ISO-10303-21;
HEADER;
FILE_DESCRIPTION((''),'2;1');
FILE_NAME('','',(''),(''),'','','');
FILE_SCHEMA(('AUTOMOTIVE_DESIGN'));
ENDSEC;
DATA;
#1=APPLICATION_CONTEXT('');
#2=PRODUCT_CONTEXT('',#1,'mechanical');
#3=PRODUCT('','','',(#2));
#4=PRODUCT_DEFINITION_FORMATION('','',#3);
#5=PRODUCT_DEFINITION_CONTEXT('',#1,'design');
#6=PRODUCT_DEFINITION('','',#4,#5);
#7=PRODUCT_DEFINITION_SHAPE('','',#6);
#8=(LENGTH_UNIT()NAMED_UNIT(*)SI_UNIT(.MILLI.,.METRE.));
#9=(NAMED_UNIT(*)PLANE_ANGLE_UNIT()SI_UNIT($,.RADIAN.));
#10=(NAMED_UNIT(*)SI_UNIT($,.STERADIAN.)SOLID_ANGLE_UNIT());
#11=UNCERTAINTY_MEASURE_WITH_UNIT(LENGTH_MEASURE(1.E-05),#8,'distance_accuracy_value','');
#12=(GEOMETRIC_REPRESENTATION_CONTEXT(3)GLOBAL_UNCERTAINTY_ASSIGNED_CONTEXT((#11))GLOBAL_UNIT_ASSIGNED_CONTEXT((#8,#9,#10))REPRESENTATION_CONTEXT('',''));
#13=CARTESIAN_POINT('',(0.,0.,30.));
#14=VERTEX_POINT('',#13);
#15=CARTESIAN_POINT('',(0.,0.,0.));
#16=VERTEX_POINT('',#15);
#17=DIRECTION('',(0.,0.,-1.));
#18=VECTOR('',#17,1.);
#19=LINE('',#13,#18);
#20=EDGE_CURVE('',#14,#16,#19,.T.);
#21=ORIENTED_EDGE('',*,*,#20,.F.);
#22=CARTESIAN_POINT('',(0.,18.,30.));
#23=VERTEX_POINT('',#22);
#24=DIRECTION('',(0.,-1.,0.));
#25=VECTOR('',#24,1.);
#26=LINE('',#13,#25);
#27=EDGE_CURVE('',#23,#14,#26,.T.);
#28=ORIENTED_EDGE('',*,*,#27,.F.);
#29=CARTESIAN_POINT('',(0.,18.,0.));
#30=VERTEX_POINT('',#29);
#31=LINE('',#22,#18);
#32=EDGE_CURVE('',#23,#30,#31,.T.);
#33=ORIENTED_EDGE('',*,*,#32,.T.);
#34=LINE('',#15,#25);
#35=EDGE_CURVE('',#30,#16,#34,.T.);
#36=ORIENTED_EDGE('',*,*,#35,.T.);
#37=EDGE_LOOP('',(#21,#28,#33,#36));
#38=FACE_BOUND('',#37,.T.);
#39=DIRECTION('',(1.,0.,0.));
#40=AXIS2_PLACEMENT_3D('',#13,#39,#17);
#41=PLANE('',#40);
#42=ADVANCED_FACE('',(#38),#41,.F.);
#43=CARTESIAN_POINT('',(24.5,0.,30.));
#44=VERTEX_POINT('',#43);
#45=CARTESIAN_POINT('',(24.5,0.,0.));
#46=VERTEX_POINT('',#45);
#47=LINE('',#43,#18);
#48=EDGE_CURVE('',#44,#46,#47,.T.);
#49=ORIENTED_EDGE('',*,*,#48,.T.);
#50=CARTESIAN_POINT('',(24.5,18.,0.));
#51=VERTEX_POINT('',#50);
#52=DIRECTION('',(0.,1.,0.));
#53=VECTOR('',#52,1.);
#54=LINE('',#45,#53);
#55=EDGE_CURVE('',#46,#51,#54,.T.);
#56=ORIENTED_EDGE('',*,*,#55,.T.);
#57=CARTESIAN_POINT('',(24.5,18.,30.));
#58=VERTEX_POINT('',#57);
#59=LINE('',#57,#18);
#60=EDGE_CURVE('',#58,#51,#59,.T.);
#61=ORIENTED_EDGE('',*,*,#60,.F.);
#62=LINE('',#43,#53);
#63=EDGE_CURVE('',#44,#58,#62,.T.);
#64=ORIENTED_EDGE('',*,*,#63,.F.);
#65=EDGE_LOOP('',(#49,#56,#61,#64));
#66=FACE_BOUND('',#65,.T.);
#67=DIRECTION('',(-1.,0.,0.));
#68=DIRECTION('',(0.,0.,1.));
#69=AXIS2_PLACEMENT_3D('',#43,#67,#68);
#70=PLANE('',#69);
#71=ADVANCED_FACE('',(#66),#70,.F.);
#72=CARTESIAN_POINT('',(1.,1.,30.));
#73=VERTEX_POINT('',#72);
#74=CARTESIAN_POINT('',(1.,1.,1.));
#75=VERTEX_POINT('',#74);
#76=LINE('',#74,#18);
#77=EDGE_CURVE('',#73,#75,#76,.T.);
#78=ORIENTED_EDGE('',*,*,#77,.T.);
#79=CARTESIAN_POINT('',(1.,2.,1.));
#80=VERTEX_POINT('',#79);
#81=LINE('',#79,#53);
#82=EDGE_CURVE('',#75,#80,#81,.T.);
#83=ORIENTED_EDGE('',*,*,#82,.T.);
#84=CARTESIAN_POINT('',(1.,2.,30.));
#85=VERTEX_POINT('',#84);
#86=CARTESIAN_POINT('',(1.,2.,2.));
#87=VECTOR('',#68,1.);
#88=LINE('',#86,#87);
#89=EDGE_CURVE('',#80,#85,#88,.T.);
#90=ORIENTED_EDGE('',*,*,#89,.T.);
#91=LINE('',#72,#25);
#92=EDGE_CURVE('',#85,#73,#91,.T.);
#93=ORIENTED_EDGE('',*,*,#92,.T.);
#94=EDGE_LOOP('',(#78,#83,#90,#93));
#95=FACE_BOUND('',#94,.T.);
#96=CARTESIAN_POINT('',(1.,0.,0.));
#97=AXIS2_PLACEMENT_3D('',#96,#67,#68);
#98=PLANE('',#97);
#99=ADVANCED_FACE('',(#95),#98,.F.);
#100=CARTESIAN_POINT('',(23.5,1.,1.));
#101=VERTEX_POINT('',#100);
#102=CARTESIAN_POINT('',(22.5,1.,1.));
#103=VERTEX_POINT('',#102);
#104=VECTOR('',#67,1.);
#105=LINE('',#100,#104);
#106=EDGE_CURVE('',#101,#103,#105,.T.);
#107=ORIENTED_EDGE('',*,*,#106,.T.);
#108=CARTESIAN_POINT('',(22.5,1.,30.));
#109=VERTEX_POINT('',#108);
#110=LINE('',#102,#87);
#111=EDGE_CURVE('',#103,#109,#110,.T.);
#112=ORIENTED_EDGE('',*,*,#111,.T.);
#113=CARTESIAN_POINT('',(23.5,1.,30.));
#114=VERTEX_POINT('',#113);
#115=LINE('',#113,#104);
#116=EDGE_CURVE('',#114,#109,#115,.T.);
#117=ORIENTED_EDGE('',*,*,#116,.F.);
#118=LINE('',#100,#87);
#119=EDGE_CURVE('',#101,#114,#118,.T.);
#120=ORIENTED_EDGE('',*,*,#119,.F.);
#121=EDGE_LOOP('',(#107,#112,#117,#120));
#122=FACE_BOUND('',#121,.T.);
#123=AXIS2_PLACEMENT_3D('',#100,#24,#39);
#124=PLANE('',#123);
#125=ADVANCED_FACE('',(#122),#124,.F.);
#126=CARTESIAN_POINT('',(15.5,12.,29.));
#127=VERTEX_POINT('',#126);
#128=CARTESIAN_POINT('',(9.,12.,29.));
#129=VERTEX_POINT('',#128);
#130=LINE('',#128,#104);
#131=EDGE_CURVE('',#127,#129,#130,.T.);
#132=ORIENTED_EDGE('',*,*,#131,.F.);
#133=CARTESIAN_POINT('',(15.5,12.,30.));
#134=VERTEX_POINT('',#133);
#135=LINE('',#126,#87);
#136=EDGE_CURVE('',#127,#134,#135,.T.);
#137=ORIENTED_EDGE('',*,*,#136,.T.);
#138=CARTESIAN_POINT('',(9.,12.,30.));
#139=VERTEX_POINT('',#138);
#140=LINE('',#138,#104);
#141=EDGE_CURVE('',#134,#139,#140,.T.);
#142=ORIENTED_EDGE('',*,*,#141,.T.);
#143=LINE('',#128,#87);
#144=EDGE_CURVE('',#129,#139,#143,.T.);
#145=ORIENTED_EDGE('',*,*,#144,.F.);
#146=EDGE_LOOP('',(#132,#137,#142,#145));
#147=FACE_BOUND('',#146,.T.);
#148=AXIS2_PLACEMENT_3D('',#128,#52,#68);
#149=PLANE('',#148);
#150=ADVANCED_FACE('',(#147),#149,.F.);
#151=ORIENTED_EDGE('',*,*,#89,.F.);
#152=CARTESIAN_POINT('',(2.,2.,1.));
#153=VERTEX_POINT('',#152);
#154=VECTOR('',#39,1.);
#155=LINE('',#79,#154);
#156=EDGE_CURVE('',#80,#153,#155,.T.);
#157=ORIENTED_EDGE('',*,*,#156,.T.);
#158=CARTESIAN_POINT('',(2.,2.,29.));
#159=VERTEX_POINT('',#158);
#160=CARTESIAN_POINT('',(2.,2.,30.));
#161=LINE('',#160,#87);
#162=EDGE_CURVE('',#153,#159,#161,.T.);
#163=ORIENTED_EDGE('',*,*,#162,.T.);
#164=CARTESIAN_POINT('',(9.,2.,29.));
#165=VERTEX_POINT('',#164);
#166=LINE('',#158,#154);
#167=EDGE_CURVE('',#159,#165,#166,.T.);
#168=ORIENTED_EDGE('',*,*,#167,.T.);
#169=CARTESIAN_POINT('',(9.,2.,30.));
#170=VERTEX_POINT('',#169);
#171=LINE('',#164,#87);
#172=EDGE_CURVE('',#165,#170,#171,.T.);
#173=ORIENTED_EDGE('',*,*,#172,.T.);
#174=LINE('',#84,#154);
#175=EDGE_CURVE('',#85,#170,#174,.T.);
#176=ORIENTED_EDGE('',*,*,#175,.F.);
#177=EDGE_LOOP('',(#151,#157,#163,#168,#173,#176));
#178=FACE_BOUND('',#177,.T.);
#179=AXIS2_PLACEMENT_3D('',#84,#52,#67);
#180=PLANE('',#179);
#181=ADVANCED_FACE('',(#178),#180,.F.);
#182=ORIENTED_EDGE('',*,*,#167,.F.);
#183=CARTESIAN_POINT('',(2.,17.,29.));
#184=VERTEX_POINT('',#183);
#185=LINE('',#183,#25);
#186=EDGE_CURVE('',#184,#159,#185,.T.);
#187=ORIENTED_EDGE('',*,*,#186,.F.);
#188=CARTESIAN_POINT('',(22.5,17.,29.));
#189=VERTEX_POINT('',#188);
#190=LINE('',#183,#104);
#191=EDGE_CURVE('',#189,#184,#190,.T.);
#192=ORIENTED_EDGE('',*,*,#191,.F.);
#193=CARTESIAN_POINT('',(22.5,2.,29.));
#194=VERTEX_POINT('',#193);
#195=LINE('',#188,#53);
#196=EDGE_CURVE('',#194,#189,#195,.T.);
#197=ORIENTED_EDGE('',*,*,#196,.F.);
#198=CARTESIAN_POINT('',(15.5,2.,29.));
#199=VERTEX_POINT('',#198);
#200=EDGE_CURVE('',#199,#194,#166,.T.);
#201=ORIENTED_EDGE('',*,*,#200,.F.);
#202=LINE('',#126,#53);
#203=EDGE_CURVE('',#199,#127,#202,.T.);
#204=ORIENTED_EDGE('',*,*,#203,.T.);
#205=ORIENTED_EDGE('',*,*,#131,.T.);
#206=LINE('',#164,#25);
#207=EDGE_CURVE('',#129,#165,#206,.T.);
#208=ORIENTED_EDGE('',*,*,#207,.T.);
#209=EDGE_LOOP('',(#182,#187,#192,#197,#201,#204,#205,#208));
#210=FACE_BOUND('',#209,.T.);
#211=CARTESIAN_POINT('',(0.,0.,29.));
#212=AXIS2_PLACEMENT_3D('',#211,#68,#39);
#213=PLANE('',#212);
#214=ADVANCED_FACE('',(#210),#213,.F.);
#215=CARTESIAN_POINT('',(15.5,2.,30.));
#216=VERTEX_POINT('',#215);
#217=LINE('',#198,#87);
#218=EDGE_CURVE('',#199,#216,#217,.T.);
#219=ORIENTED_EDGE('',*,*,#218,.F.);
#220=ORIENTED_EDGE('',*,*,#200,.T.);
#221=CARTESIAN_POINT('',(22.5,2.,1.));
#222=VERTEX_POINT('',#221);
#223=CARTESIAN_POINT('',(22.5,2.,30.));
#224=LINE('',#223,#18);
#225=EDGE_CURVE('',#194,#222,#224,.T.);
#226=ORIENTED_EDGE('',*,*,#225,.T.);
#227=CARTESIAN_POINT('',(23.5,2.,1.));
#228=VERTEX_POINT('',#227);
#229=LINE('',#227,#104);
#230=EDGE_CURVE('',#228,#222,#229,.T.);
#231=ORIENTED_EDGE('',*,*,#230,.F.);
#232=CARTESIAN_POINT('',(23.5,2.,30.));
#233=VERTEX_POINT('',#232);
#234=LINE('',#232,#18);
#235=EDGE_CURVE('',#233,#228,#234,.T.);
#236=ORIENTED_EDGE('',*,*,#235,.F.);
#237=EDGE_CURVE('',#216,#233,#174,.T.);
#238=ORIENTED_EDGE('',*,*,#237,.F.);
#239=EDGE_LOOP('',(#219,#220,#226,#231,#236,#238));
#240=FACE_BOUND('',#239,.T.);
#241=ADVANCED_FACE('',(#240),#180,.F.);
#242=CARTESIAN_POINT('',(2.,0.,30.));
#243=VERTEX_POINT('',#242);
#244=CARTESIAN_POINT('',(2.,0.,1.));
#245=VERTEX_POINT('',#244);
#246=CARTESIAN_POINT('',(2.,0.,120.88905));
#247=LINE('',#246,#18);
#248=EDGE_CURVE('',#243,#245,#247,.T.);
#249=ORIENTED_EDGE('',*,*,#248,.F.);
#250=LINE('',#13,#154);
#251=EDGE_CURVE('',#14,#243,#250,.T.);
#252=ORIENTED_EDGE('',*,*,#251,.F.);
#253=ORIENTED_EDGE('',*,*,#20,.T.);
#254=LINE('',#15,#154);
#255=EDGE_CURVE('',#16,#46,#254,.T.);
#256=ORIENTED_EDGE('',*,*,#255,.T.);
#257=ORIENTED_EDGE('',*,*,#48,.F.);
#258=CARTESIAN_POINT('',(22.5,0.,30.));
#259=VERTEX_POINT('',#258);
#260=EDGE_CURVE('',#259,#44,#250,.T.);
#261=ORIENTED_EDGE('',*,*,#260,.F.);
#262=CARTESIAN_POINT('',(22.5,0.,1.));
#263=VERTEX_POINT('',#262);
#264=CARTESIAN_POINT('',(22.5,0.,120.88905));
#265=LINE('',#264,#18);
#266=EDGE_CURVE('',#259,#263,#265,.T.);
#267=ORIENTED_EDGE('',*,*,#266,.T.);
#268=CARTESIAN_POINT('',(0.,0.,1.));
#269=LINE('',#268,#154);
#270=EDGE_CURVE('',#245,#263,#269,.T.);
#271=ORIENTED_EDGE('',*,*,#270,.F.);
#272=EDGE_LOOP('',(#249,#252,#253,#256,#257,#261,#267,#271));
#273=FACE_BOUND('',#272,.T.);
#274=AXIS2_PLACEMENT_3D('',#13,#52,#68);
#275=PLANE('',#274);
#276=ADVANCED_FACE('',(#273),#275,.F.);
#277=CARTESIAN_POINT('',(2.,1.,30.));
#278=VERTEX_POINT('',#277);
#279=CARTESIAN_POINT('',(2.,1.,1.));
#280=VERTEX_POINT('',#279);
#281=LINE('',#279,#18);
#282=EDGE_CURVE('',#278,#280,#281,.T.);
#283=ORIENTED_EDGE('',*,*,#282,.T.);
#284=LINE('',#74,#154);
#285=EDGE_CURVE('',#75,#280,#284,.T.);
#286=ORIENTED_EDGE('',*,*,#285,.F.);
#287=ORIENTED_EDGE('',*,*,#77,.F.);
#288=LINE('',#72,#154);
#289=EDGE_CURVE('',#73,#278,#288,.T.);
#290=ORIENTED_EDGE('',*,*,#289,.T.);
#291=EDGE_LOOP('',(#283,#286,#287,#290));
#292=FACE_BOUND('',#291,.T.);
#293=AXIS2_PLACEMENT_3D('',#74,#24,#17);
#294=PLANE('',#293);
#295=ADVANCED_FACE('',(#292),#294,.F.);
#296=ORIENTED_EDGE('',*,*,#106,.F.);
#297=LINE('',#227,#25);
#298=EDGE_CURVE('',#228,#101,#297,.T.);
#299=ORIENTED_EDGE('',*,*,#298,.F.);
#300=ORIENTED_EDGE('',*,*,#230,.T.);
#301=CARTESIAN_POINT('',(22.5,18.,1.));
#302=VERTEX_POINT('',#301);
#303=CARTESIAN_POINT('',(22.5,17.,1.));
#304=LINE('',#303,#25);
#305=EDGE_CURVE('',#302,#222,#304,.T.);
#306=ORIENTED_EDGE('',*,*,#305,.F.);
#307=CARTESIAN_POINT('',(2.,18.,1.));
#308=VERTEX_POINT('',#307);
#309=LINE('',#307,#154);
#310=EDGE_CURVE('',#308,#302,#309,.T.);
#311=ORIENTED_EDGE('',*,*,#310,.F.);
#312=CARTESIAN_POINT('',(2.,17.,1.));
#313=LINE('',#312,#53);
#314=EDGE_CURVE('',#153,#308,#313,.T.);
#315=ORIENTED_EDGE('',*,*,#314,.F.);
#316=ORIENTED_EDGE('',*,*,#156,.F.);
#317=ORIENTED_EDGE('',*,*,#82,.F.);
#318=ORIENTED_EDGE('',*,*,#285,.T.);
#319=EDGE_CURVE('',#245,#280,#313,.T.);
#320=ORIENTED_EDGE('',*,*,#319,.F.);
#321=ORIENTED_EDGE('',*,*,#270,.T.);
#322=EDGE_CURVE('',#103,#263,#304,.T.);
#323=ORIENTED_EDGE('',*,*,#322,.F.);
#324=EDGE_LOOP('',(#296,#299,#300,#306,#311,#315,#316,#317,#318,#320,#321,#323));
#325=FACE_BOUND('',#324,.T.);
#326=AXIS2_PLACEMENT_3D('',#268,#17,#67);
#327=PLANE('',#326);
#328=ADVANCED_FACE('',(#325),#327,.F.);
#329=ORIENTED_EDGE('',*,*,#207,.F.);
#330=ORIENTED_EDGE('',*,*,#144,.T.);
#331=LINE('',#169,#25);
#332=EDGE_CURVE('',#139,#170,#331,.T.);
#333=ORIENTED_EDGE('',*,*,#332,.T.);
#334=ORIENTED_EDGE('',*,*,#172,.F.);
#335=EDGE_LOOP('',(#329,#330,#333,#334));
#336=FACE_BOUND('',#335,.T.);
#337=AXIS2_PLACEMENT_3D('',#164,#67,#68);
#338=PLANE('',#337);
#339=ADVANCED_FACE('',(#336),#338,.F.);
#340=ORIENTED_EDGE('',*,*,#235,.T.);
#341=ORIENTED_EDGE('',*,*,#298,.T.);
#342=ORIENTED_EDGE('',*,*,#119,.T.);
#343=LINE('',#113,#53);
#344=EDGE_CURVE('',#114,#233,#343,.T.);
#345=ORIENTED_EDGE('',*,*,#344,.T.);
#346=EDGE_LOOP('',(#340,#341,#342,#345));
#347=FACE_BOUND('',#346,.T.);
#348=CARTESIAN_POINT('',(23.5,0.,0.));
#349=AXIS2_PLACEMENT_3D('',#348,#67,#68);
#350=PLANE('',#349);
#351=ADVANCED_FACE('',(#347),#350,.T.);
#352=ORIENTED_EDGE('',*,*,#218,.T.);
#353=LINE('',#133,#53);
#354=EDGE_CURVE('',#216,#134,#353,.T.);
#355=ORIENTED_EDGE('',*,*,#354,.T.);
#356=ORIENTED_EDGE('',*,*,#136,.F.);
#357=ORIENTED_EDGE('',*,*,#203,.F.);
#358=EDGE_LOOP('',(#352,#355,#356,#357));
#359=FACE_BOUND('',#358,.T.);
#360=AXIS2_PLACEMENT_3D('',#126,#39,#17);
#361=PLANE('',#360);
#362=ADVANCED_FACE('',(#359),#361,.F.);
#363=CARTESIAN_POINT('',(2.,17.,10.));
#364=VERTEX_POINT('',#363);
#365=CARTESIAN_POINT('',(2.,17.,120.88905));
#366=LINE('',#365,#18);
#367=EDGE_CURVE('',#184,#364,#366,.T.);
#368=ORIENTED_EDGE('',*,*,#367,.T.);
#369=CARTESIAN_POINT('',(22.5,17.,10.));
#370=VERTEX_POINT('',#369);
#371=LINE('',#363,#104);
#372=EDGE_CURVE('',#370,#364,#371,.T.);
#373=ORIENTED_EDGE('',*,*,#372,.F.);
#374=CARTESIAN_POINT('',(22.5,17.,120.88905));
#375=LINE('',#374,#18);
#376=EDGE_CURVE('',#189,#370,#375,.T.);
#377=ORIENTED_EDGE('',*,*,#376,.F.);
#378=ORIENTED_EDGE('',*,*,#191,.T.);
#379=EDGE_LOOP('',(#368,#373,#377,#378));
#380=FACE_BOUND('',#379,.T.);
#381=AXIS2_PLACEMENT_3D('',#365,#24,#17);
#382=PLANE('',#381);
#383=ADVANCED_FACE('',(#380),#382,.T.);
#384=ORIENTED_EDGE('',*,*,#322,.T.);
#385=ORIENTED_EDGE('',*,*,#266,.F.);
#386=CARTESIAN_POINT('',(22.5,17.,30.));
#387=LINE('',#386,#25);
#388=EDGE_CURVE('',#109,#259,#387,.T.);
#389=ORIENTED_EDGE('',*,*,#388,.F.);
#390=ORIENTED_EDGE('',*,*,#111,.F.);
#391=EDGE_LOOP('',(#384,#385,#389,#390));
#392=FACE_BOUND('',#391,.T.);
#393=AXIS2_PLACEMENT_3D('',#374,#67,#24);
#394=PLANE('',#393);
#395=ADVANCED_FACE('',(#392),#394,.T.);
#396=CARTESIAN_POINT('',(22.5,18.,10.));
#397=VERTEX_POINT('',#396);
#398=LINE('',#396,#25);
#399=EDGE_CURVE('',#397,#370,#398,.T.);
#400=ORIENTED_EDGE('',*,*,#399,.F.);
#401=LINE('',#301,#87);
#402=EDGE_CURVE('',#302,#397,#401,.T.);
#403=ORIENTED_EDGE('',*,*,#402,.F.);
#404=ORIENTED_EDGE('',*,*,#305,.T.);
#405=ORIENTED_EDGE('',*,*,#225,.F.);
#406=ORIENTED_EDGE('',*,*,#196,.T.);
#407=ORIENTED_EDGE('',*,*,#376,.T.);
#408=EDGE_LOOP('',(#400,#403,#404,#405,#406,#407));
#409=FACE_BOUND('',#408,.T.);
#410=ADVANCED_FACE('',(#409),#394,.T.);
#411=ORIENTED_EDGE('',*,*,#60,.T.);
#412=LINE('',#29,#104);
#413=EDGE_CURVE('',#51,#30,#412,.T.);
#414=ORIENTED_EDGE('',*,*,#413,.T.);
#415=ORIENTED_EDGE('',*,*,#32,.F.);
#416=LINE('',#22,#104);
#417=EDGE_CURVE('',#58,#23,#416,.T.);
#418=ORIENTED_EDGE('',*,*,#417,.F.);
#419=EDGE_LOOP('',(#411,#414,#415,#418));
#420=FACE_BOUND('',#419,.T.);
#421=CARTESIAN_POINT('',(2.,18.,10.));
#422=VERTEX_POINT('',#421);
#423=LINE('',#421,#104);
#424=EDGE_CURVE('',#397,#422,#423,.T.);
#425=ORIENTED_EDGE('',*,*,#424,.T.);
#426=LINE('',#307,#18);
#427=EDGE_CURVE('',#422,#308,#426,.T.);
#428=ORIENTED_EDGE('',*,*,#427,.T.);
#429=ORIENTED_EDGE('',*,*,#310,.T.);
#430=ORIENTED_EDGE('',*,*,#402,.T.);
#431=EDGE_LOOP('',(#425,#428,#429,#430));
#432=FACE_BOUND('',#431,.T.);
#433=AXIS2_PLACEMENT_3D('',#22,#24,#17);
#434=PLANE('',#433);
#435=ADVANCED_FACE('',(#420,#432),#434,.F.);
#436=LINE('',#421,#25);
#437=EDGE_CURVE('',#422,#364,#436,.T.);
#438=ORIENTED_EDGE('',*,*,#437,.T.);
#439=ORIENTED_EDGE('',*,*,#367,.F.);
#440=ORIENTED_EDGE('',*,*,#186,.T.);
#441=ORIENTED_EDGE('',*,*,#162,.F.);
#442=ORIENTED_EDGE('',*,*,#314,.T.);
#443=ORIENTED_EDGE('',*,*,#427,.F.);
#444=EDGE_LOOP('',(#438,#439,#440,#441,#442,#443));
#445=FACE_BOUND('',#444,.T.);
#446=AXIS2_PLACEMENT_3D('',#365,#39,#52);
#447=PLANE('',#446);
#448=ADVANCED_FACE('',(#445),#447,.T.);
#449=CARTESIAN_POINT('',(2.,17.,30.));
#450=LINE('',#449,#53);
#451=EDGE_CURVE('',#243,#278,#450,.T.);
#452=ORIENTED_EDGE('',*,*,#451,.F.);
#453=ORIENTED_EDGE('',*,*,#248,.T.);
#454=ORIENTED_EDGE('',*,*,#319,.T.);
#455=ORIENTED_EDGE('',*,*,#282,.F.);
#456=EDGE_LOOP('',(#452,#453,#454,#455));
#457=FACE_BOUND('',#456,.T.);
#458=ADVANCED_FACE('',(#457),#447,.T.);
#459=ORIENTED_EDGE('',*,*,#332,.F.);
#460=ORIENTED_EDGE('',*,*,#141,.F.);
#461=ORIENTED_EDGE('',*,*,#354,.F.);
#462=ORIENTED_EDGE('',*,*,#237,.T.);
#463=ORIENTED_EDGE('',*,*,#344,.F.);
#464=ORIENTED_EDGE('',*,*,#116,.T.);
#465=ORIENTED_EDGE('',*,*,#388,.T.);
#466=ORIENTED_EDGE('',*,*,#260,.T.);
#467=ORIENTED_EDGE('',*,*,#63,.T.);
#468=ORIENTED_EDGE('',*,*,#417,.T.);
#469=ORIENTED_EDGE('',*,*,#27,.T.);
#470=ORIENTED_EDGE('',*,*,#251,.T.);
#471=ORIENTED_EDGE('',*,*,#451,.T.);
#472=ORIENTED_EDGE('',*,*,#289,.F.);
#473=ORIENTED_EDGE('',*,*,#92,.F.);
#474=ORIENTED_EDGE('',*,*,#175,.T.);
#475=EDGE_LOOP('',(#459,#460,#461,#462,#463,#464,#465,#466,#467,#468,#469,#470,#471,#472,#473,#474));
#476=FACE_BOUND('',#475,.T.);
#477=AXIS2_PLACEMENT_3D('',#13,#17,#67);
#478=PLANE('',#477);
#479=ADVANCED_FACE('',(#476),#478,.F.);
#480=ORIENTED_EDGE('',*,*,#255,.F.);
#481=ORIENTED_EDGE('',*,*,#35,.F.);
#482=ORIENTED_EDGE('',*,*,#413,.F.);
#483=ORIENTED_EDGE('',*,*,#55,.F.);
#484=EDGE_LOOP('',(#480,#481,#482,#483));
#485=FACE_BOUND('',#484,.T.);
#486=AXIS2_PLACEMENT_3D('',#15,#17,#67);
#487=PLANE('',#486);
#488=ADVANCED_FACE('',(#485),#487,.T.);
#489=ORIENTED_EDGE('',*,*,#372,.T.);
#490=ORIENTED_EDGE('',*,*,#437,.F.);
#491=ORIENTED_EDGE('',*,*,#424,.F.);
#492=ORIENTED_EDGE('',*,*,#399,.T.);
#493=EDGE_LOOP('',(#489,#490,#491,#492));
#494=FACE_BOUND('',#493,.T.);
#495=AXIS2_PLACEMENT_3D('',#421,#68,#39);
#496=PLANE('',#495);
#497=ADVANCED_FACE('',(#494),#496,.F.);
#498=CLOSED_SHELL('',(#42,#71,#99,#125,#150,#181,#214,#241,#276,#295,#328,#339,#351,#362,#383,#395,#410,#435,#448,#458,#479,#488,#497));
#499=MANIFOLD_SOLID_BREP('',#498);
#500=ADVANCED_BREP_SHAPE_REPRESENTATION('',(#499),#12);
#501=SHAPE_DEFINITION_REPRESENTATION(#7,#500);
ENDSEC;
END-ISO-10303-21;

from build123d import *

# Parameters (mm, degrees)
ESQUISSE1_W                  = 24.5
ESQUISSE1_H                  = 18
BOSS_EXTRU_3_DEPTH           = 30
ENL_V_MAT_EXTRU_1_DEPTH      = 43.711239739
ENL_V_MAT_EXTRU_1_DEPTH_BACK = 29
ENL_V_MAT_EXTRU_2_DEPTH      = 1
ESQUISSE6_W                  = 29
ESQUISSE6_H                  = 1
ENL_V_MAT_EXTRU_3_DEPTH      = 1
ESQUISSE7_W                  = 20.5
ESQUISSE7_H                  = 15
BOSS_EXTRU_4_DEPTH           = 1
ESQUISSE8_W                  = 6.5
ESQUISSE8_H                  = 10
ENL_V_MAT_EXTRU_4_DEPTH      = 1
ESQUISSE10_W                 = 20.5
ESQUISSE10_H                 = 9
ENL_V_MAT_EXTRU_5_DEPTH      = 43.299527184


with BuildPart() as part:
    # Esquisse1 → Boss.-Extru.3 (new body)
    with BuildSketch(Plane.XY):
        with Locations((12.25, 9)):
            Rectangle(ESQUISSE1_W, ESQUISSE1_H)
    extrude(amount=BOSS_EXTRU_3_DEPTH)

    # Esquisse4 → Enlèv. mat.-Extru.1 (cut, two sides: drawn at the far end of the back side and taken through both)
    with BuildSketch(Plane.XY.offset(30).offset(-ENL_V_MAT_EXTRU_1_DEPTH_BACK)):
        Polygon((22.5, -67.628118137), (22.5, 0), (22.5, 17), (2, 17), (2, 0), (2, -67.628118137), (2, -202.884354411), (22.5, -202.884354411), align=None)
    extrude(amount=ENL_V_MAT_EXTRU_1_DEPTH + ENL_V_MAT_EXTRU_1_DEPTH_BACK, mode=Mode.SUBTRACT)

    # Esquisse5 → Enlèv. mat.-Extru.2 (cut)
    with BuildSketch(Plane(origin=(2, 0, 0), x_dir=(0, 0, -1), z_dir=(1, 0, 0))):
        Polygon((-1, 1), (-30, 1), (-30, 2), (-2, 2), (-1, 2), align=None)
    extrude(amount=-ENL_V_MAT_EXTRU_2_DEPTH, mode=Mode.SUBTRACT)

    # Esquisse6 → Enlèv. mat.-Extru.3 (cut)
    with BuildSketch(Plane.ZY.offset(-22.5)):
        with Locations((15.5, 1.5)):
            Rectangle(ESQUISSE6_W, ESQUISSE6_H)
    extrude(amount=-ENL_V_MAT_EXTRU_3_DEPTH, mode=Mode.SUBTRACT)

    # Esquisse7 → Boss.-Extru.4 (add)
    with BuildSketch(Plane.XY.offset(30)):
        with Locations((12.25, 9.5)):
            Rectangle(ESQUISSE7_W, ESQUISSE7_H)
    extrude(amount=-BOSS_EXTRU_4_DEPTH)

    # Esquisse8 → Enlèv. mat.-Extru.4 (cut)
    with BuildSketch(Plane.XY.offset(30)):
        with Locations((12.25, 7)):
            Rectangle(ESQUISSE8_W, ESQUISSE8_H)
    extrude(amount=-ENL_V_MAT_EXTRU_4_DEPTH, mode=Mode.SUBTRACT)

    # Esquisse10 → Enlèv. mat.-Extru.5 (cut, through all)
    with BuildSketch(Plane(origin=(0, 17, 0), x_dir=(-1, 0, 0), z_dir=(0, -1, 0))):
        with Locations((-12.25, -5.5)):
            Rectangle(ESQUISSE10_W, ESQUISSE10_H)
    extrude(amount=-ENL_V_MAT_EXTRU_5_DEPTH, mode=Mode.SUBTRACT)


solid = part.part
